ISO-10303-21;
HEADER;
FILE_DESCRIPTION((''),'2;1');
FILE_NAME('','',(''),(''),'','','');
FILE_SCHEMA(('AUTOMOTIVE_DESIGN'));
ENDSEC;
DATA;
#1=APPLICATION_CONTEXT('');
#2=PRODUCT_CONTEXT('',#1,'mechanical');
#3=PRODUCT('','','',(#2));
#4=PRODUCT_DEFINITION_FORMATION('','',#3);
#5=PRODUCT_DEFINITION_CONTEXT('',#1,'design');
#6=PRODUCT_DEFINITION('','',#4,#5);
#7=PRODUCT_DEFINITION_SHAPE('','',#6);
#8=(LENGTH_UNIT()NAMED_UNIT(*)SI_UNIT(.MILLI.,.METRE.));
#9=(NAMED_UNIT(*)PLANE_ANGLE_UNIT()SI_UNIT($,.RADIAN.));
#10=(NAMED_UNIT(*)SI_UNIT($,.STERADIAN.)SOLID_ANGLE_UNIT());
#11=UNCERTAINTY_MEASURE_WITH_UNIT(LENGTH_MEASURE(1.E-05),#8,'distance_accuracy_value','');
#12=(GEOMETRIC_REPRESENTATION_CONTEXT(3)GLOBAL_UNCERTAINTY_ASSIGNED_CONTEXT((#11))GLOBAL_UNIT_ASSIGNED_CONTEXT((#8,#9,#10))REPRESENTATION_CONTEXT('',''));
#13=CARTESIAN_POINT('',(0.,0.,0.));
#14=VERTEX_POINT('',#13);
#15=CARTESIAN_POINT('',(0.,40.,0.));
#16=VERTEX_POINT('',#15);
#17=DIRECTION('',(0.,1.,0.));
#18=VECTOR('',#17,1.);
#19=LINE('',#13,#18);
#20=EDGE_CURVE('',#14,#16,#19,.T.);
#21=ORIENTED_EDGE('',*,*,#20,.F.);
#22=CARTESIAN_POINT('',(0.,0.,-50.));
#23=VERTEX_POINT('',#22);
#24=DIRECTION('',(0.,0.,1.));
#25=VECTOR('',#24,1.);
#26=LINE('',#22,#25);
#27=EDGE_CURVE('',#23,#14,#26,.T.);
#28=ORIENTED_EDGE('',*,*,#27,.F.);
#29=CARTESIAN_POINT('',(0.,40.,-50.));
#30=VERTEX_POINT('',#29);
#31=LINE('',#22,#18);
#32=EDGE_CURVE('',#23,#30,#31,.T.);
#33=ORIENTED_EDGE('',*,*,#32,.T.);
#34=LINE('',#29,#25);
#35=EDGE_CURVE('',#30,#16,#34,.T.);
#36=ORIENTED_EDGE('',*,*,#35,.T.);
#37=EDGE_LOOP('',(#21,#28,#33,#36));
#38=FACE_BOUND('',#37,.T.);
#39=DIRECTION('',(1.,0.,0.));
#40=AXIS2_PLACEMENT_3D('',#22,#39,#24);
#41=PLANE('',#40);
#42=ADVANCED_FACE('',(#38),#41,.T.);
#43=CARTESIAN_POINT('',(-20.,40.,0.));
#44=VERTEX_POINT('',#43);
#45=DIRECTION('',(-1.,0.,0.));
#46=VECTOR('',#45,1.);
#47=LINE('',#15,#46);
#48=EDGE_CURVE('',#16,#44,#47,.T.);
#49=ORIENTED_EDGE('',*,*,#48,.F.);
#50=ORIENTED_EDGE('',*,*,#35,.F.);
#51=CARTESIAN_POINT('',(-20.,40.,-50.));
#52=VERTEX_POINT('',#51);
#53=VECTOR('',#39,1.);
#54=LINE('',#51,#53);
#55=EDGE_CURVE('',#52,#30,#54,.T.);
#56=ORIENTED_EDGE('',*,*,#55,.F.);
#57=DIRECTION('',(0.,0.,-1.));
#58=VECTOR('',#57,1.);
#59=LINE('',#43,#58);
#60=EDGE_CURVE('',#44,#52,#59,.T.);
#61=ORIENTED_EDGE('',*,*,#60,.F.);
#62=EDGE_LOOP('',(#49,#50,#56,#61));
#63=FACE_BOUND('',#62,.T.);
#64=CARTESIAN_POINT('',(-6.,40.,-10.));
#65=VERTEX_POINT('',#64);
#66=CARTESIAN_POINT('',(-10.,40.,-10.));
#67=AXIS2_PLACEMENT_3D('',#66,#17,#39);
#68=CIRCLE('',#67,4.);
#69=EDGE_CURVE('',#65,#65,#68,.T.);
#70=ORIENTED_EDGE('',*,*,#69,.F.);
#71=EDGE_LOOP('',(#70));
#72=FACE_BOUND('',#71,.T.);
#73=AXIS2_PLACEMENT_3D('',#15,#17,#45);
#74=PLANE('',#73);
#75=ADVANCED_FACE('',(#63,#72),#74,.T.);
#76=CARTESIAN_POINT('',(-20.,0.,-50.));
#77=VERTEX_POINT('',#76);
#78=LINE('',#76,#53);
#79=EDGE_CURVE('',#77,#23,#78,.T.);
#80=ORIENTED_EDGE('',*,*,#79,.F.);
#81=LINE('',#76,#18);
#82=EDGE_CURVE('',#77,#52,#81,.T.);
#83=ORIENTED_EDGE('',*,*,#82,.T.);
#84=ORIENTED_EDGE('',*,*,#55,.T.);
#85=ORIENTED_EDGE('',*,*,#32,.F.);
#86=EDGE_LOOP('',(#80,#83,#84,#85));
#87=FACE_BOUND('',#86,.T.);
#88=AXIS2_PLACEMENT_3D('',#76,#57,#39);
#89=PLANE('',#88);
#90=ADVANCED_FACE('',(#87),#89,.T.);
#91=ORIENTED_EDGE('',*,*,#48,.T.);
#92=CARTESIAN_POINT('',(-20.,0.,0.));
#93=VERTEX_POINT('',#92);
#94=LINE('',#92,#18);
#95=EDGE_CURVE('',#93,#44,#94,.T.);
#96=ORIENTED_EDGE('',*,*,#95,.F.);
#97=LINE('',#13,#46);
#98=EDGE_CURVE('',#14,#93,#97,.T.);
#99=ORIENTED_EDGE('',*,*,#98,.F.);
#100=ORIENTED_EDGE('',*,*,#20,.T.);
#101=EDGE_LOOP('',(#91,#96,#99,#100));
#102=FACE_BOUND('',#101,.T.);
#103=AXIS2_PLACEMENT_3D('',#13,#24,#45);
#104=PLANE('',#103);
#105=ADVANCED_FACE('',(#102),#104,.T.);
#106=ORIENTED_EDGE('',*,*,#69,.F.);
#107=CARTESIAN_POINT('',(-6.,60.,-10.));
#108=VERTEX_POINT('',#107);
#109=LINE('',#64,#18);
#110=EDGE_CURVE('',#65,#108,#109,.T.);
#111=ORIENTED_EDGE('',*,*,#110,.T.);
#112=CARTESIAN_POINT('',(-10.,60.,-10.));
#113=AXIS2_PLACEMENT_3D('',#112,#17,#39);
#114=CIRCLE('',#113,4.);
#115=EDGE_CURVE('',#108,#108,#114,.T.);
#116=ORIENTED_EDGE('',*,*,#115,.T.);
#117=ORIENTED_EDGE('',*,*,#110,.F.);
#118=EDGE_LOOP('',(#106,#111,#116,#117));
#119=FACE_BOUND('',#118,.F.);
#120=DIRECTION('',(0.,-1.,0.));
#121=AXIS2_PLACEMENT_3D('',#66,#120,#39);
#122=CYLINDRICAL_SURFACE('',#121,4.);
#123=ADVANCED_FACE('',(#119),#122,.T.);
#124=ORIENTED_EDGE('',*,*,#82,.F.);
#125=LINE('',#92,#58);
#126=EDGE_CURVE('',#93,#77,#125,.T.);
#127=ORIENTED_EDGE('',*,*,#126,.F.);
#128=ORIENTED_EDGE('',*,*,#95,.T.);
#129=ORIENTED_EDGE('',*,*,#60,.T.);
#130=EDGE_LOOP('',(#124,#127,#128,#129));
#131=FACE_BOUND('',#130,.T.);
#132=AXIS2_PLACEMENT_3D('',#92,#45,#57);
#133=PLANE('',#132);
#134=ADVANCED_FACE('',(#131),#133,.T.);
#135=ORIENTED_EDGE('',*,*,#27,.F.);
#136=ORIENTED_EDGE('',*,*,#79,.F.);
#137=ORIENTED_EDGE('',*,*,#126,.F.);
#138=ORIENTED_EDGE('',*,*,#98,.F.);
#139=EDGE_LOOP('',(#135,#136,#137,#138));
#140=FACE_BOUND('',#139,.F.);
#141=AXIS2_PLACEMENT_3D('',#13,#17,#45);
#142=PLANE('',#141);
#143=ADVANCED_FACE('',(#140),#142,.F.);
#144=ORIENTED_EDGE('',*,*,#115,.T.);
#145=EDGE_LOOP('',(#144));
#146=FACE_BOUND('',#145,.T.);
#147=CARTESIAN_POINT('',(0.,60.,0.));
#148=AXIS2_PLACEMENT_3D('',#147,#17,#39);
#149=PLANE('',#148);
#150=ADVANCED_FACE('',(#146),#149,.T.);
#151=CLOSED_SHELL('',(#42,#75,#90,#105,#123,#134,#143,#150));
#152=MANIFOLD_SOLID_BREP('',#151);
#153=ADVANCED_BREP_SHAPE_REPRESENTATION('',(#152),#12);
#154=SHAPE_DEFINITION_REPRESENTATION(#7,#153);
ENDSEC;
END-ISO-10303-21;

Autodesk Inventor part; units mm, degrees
ref_plane "YZ Plane" through (0, 0, 0) normal (1, 0, 0) x (0, 1, 0)
ref_plane "XZ Plane" through (0, 0, 0) normal (0, 1, 0) x (-1, 0, 0)
ref_plane "XY Plane" through (0, 0, 0) normal (0, 0, 1) x (1, 0, 0)
sketch "Sketch1" plane through (0, 0, 0) normal (0, 1, 0) x (-1, 0, 0)
  line L0 (0, 0) -> (20, 0)
  line L1 (20, 0) -> (20, -50)
  line L2 (20, -50) -> (0, -50)
  line L3 (0, -50) -> (0, 0)
  dimension "d0" = 20
  dimension "d1" = 50
extrude "Extrusion1" add sketch "Sketch1" along normal blind 40
sketch "Sketch2" plane through (0, 40, 0) normal (0, 1, 0) x (1, 0, 0)
  line L0 (-20, 0) -> (0, 0) projected
  circle A0 centre (-10, 10) radius 4
  dimension "d5" = 8
extrude "Extrusion2" add sketch "Sketch2" along normal blind 20
properties part number "Rocker Shaft"
